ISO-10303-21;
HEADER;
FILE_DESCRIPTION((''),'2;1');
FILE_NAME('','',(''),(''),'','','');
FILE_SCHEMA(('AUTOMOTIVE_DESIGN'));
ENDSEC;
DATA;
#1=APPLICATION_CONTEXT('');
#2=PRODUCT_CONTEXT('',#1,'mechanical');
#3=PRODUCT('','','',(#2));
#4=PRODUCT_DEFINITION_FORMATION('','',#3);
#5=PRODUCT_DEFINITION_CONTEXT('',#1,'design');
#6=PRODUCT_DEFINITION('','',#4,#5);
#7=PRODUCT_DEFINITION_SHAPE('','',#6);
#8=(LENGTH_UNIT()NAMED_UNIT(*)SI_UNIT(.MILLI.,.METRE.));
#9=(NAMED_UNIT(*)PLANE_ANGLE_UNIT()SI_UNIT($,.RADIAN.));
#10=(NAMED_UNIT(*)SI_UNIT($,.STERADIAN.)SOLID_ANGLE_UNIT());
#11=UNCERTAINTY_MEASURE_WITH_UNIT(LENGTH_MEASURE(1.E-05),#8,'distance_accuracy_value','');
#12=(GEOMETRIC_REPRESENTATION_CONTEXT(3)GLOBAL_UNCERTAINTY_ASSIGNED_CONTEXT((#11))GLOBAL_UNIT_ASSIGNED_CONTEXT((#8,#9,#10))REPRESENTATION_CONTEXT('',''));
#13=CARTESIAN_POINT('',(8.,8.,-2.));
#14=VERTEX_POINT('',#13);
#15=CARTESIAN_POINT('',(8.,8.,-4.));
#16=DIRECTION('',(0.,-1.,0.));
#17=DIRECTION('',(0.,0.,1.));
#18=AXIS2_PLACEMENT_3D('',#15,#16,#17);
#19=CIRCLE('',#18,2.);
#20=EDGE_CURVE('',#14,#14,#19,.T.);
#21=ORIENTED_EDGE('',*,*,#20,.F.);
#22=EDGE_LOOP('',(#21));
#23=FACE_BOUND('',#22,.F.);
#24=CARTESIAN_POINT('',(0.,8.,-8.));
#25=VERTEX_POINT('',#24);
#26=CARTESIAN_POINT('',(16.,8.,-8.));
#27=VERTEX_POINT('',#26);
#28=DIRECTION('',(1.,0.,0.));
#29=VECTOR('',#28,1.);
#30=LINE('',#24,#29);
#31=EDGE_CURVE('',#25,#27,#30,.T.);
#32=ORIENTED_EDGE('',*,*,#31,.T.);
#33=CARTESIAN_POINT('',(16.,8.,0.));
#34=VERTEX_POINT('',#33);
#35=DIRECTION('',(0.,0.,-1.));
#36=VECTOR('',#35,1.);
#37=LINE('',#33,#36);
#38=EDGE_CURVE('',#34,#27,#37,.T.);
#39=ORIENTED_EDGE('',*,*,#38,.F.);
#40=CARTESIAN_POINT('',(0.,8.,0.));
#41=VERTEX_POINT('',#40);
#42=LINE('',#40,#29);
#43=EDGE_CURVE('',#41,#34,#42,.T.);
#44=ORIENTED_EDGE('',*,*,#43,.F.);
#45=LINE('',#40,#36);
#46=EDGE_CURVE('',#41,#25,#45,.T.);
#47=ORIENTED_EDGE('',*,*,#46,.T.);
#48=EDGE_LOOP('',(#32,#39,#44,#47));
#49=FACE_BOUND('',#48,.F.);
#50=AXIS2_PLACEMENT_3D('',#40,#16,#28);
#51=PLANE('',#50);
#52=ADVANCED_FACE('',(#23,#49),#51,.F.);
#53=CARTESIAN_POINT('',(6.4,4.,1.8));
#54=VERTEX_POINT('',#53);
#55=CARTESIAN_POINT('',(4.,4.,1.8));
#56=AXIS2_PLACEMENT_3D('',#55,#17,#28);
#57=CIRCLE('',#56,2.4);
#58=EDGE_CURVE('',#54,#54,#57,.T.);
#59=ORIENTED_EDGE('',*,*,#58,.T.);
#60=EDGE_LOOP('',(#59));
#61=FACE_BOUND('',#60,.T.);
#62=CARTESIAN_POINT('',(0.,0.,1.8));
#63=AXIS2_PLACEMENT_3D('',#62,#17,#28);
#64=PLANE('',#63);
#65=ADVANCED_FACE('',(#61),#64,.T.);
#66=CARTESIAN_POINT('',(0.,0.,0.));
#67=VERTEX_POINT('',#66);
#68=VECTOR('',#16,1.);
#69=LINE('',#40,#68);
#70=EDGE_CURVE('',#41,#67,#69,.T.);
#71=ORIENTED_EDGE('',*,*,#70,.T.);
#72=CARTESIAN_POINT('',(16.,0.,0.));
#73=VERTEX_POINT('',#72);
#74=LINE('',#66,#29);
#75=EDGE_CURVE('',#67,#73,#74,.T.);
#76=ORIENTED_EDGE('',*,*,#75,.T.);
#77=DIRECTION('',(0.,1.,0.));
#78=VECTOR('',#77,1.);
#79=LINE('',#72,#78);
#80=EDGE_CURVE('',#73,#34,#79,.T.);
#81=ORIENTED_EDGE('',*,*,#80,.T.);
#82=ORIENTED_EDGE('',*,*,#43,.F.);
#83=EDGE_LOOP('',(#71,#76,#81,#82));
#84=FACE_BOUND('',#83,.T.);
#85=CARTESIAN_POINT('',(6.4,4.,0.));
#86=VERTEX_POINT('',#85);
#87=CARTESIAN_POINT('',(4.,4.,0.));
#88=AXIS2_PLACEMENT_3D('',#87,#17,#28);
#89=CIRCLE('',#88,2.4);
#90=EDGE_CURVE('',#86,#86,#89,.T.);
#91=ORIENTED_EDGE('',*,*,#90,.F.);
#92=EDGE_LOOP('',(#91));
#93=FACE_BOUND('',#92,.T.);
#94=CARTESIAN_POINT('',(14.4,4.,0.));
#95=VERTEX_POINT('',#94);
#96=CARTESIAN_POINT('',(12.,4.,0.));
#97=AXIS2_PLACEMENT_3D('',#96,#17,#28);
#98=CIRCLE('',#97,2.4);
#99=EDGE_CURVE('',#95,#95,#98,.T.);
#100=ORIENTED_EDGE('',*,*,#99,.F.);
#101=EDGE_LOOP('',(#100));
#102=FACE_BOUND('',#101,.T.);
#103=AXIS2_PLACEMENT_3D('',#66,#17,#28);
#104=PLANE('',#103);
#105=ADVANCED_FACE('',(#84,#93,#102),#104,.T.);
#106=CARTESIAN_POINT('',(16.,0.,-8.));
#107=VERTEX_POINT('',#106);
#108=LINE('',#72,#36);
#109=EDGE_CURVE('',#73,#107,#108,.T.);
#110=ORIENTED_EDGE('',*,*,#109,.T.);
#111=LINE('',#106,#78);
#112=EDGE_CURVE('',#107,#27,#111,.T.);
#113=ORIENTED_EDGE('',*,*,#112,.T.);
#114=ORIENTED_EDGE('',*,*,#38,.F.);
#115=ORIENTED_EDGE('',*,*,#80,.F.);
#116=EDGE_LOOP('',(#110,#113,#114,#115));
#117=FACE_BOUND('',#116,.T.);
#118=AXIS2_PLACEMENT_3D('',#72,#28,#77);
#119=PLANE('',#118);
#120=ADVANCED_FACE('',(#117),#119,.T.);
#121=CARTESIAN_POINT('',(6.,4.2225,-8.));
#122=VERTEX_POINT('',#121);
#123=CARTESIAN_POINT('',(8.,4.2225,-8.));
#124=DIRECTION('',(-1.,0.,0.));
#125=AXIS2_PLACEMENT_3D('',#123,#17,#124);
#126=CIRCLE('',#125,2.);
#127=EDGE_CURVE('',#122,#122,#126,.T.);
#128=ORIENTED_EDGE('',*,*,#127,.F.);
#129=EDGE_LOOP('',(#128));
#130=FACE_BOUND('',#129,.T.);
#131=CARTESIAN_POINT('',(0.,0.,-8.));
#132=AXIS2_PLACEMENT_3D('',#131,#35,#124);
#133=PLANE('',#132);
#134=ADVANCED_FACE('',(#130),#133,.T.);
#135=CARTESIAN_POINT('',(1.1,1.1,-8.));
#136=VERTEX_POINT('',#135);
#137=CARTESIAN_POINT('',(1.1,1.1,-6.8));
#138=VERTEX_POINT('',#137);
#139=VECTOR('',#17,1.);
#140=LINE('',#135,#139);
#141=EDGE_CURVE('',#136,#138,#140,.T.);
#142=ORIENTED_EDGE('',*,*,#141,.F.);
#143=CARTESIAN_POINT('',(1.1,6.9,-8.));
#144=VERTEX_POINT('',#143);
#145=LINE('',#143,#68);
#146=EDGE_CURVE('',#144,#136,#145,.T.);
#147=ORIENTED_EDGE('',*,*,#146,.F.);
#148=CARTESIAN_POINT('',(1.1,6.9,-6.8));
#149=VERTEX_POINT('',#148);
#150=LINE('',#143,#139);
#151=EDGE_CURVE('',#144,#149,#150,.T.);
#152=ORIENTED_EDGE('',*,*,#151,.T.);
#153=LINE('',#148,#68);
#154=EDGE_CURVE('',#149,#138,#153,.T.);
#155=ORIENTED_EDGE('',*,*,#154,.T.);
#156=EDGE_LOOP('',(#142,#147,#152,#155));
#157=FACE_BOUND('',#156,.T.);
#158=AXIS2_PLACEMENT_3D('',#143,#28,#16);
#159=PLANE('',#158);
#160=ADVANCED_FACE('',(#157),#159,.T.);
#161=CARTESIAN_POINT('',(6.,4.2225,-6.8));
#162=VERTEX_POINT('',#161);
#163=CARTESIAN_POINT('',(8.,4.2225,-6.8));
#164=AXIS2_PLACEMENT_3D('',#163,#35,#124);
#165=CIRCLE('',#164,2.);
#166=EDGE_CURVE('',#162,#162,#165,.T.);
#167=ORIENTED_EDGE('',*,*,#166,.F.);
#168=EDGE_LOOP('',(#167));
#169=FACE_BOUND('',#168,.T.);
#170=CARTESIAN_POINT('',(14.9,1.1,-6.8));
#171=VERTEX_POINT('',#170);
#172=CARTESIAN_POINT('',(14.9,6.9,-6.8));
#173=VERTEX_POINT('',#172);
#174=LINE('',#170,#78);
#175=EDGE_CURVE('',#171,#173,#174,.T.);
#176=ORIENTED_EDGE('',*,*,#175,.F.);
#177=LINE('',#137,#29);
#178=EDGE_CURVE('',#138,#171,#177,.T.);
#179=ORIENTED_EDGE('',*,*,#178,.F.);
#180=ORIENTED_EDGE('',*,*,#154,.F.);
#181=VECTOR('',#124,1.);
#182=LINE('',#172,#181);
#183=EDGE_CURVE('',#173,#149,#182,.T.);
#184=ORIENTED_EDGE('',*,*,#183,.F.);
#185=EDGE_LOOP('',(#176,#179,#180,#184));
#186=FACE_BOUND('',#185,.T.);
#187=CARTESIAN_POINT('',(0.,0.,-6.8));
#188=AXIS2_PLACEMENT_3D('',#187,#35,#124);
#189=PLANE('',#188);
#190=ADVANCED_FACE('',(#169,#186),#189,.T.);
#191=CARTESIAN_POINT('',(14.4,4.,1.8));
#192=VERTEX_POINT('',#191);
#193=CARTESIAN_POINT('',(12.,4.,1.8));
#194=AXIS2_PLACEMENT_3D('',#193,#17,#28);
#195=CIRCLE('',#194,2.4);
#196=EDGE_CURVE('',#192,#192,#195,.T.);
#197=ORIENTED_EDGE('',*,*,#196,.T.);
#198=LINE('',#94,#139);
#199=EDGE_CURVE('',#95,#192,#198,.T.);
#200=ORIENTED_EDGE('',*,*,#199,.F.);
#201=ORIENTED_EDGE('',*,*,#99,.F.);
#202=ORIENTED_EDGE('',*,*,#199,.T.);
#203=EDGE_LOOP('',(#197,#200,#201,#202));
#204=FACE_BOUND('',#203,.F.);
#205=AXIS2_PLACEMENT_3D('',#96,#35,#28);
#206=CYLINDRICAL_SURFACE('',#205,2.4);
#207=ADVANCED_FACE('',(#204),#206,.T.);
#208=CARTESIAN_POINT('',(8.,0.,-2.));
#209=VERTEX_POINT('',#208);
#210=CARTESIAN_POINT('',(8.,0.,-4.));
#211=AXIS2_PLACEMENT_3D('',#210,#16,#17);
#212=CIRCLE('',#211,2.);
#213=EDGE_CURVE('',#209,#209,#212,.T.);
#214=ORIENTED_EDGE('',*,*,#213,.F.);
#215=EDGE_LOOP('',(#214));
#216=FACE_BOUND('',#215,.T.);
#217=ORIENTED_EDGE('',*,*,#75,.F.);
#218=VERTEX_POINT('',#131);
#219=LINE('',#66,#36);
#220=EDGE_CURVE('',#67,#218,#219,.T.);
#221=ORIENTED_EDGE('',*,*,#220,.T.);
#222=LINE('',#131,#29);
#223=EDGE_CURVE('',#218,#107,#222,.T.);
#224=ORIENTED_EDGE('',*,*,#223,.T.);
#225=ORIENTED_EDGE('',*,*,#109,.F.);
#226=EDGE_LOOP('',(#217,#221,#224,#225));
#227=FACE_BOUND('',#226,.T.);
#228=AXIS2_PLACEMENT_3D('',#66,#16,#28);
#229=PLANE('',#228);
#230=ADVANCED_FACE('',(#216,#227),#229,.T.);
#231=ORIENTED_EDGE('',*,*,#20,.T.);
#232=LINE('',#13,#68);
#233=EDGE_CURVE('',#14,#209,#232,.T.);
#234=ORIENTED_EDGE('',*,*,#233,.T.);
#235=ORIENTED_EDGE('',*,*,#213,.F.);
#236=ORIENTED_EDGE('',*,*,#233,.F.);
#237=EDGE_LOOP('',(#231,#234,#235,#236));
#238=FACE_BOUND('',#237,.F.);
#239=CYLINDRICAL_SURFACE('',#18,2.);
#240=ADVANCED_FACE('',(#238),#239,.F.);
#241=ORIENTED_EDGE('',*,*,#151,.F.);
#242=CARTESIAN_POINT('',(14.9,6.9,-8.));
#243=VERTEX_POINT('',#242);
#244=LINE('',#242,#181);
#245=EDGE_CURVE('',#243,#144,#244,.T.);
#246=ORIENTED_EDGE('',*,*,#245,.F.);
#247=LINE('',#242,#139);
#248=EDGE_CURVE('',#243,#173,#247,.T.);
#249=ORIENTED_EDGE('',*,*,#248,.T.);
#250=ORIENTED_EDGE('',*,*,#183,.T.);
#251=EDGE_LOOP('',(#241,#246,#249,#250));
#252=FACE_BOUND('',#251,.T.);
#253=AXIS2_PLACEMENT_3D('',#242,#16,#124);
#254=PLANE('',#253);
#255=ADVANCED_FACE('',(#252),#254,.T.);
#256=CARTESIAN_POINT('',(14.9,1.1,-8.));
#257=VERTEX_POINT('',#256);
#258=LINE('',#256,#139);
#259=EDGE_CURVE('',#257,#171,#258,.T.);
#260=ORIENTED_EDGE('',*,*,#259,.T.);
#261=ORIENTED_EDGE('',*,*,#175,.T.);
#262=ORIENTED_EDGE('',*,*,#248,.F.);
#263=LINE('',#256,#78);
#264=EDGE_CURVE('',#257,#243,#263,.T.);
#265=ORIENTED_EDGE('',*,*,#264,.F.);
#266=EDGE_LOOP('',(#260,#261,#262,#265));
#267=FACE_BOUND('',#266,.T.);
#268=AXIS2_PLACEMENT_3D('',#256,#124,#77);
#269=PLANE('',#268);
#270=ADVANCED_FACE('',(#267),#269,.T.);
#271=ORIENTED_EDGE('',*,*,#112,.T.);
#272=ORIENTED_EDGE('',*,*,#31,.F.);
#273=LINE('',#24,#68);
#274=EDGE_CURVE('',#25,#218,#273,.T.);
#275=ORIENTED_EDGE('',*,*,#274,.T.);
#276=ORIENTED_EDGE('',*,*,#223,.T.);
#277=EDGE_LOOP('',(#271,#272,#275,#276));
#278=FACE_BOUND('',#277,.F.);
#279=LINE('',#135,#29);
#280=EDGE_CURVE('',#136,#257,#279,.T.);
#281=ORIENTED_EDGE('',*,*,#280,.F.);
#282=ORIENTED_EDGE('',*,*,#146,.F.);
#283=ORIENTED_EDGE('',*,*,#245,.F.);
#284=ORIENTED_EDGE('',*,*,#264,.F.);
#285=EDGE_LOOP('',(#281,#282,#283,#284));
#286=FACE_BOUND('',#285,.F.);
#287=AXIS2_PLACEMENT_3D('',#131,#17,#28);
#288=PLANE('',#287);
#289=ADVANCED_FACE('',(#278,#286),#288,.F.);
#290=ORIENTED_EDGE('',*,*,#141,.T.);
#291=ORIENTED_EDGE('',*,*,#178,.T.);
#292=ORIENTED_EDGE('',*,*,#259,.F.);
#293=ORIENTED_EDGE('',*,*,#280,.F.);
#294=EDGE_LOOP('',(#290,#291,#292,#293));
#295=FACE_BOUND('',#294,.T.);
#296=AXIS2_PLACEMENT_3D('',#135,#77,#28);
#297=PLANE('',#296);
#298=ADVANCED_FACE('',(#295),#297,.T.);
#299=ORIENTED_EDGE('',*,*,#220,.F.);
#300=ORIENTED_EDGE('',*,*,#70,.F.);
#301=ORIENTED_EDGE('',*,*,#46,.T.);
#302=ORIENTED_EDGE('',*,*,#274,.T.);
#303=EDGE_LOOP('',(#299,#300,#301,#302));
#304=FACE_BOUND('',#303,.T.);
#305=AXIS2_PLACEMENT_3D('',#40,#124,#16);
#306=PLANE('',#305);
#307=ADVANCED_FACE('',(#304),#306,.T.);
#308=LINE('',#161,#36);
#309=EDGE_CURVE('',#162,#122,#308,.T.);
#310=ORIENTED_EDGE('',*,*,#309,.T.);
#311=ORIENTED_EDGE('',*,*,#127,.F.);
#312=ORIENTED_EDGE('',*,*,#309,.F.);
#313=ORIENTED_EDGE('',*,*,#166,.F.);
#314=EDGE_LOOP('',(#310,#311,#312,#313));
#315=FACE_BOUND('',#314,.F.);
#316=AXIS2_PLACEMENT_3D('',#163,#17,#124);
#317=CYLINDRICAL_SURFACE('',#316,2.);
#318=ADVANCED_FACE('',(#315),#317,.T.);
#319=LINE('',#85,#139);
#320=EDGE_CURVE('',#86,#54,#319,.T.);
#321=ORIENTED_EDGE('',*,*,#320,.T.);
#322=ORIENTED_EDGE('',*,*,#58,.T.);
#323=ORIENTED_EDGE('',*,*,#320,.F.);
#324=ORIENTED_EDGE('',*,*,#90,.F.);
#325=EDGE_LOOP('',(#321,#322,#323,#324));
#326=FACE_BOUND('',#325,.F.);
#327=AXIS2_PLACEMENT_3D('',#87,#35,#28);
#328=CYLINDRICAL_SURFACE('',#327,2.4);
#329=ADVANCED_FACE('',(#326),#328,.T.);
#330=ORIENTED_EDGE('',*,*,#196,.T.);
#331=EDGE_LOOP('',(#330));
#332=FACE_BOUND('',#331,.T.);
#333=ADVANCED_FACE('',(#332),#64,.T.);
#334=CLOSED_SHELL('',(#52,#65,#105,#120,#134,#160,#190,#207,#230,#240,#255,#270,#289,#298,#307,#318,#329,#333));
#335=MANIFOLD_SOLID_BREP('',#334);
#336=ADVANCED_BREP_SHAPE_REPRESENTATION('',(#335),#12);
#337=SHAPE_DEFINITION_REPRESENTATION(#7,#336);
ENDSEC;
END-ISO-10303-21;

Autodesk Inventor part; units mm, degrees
ref_plane "YZ Plane" through (0, 0, 0) normal (1, 0, 0) x (0, 1, 0)
ref_plane "XZ Plane" through (0, 0, 0) normal (0, 1, 0) x (-1, 0, 0)
sketch "Top" plane through (0, 0, 0) normal (0, 0, 1) x (1, 0, 0)
  line L0 (0, 8) -> (0, 0)
  line L1 (0, 0) -> (16, 0)
  line L2 (16, 0) -> (16, 8)
  line L3 (0, 8) -> (16, 8)
  point P0 (8, 0)
  dimension "d0" = 16
  dimension "d1" = 8
  dimension "d2" = 8
extrude "Extrusion5" add sketch "Top" against normal blind 8
sketch "Sketch4" plane through (0, 0, 0) normal (0, 0, 1) x (1, 0, 0)
  line L0 (0, 0) -> (0, 8) projected
  line L1 (16, 8) -> (16, 0) projected
  line L2 (0, 8) -> (16, 8)
  line L3 (16, 8) -> (16, 0)
  line L4 (16, 0) -> (0, 0)
  line L5 (0, 0) -> (0, 8)
  circle A0 centre (4, 4) radius 2.4
  circle A1 centre (12, 4) radius 2.4
  dimension "d29" = 4.8
  dimension "d30" = 4.8
  dimension "d31" = 4
  dimension "d32" = 4
  dimension "d33" = 8
  dimension "d34" = 4
extrude "Extrusion6" add sketch "Sketch4" along normal blind 1.8 contours A0 | A1
sketch "Sketch5" plane through (0, 0, -8) normal (0, 0, -1) x (-1, 0, 0)
  line L0 (-14.9, 6.9) -> (-1.1, 6.9)
  line L1 (-1.1, 6.9) -> (-1.1, 1.1)
  line L2 (-1.1, 1.1) -> (-14.9, 1.1)
  line L3 (-14.9, 1.1) -> (-14.9, 6.9)
  line L4 (0, 8) -> (-16, 8) projected
  line L5 (-16, 8) -> (-16, 0) projected
  line L6 (-16, 0) -> (0, 0) projected
  line L7 (0, 0) -> (0, 8) projected
  dimension "d37" = 1.1
  dimension "d38" = 1.1
  dimension "d39" = 1.1
  dimension "d40" = 1.1
extrude "Extrusion7" cut sketch "Sketch5" against normal blind 1.2 contours L0 L1 L2 L3
sketch "Sketch6" plane through (0, 0, -6.8) normal (0, 0, -1) x (-1, 0, 0)
  line L0 (-14.9, 1.1) -> (-14.9, 6.9) projected
  line L1 (-14.9, 4.2225) -> (-1.1, 4.2225)
  line L2 (-1.1, 6.9) -> (-1.1, 1.1) projected
  circle A0 centre (-8, 4.2225) radius 2
  line L3 (-16, 8) -> (-16, 0) projected
  line L4 (-1.1, 1.1) -> (-14.9, 1.1) projected
  point P0 (0, 0)
  dimension "d43" = 8
  dimension "d44" = 4
  dimension "d45" = 3.1225
extrude "Extrusion8" add sketch "Sketch6" along normal blind 1.2 contours A0 L1 | L1 A0
sketch "Sketch8" plane through (0, 8, 0) normal (0, 1, 0) x (1, 0, 0)
  line L0 (16, 0) -> (16, 8) projected
  line L1 (16, 4) -> (0, 4)
  line L2 (0, 0) -> (0, 8) projected
  point P0 (8, 4)
hole "Hole2" at (8, 8, -4) direction (0, -1, 0) diameter 4 depth 8 tip angle 118
properties part number "bricks"
